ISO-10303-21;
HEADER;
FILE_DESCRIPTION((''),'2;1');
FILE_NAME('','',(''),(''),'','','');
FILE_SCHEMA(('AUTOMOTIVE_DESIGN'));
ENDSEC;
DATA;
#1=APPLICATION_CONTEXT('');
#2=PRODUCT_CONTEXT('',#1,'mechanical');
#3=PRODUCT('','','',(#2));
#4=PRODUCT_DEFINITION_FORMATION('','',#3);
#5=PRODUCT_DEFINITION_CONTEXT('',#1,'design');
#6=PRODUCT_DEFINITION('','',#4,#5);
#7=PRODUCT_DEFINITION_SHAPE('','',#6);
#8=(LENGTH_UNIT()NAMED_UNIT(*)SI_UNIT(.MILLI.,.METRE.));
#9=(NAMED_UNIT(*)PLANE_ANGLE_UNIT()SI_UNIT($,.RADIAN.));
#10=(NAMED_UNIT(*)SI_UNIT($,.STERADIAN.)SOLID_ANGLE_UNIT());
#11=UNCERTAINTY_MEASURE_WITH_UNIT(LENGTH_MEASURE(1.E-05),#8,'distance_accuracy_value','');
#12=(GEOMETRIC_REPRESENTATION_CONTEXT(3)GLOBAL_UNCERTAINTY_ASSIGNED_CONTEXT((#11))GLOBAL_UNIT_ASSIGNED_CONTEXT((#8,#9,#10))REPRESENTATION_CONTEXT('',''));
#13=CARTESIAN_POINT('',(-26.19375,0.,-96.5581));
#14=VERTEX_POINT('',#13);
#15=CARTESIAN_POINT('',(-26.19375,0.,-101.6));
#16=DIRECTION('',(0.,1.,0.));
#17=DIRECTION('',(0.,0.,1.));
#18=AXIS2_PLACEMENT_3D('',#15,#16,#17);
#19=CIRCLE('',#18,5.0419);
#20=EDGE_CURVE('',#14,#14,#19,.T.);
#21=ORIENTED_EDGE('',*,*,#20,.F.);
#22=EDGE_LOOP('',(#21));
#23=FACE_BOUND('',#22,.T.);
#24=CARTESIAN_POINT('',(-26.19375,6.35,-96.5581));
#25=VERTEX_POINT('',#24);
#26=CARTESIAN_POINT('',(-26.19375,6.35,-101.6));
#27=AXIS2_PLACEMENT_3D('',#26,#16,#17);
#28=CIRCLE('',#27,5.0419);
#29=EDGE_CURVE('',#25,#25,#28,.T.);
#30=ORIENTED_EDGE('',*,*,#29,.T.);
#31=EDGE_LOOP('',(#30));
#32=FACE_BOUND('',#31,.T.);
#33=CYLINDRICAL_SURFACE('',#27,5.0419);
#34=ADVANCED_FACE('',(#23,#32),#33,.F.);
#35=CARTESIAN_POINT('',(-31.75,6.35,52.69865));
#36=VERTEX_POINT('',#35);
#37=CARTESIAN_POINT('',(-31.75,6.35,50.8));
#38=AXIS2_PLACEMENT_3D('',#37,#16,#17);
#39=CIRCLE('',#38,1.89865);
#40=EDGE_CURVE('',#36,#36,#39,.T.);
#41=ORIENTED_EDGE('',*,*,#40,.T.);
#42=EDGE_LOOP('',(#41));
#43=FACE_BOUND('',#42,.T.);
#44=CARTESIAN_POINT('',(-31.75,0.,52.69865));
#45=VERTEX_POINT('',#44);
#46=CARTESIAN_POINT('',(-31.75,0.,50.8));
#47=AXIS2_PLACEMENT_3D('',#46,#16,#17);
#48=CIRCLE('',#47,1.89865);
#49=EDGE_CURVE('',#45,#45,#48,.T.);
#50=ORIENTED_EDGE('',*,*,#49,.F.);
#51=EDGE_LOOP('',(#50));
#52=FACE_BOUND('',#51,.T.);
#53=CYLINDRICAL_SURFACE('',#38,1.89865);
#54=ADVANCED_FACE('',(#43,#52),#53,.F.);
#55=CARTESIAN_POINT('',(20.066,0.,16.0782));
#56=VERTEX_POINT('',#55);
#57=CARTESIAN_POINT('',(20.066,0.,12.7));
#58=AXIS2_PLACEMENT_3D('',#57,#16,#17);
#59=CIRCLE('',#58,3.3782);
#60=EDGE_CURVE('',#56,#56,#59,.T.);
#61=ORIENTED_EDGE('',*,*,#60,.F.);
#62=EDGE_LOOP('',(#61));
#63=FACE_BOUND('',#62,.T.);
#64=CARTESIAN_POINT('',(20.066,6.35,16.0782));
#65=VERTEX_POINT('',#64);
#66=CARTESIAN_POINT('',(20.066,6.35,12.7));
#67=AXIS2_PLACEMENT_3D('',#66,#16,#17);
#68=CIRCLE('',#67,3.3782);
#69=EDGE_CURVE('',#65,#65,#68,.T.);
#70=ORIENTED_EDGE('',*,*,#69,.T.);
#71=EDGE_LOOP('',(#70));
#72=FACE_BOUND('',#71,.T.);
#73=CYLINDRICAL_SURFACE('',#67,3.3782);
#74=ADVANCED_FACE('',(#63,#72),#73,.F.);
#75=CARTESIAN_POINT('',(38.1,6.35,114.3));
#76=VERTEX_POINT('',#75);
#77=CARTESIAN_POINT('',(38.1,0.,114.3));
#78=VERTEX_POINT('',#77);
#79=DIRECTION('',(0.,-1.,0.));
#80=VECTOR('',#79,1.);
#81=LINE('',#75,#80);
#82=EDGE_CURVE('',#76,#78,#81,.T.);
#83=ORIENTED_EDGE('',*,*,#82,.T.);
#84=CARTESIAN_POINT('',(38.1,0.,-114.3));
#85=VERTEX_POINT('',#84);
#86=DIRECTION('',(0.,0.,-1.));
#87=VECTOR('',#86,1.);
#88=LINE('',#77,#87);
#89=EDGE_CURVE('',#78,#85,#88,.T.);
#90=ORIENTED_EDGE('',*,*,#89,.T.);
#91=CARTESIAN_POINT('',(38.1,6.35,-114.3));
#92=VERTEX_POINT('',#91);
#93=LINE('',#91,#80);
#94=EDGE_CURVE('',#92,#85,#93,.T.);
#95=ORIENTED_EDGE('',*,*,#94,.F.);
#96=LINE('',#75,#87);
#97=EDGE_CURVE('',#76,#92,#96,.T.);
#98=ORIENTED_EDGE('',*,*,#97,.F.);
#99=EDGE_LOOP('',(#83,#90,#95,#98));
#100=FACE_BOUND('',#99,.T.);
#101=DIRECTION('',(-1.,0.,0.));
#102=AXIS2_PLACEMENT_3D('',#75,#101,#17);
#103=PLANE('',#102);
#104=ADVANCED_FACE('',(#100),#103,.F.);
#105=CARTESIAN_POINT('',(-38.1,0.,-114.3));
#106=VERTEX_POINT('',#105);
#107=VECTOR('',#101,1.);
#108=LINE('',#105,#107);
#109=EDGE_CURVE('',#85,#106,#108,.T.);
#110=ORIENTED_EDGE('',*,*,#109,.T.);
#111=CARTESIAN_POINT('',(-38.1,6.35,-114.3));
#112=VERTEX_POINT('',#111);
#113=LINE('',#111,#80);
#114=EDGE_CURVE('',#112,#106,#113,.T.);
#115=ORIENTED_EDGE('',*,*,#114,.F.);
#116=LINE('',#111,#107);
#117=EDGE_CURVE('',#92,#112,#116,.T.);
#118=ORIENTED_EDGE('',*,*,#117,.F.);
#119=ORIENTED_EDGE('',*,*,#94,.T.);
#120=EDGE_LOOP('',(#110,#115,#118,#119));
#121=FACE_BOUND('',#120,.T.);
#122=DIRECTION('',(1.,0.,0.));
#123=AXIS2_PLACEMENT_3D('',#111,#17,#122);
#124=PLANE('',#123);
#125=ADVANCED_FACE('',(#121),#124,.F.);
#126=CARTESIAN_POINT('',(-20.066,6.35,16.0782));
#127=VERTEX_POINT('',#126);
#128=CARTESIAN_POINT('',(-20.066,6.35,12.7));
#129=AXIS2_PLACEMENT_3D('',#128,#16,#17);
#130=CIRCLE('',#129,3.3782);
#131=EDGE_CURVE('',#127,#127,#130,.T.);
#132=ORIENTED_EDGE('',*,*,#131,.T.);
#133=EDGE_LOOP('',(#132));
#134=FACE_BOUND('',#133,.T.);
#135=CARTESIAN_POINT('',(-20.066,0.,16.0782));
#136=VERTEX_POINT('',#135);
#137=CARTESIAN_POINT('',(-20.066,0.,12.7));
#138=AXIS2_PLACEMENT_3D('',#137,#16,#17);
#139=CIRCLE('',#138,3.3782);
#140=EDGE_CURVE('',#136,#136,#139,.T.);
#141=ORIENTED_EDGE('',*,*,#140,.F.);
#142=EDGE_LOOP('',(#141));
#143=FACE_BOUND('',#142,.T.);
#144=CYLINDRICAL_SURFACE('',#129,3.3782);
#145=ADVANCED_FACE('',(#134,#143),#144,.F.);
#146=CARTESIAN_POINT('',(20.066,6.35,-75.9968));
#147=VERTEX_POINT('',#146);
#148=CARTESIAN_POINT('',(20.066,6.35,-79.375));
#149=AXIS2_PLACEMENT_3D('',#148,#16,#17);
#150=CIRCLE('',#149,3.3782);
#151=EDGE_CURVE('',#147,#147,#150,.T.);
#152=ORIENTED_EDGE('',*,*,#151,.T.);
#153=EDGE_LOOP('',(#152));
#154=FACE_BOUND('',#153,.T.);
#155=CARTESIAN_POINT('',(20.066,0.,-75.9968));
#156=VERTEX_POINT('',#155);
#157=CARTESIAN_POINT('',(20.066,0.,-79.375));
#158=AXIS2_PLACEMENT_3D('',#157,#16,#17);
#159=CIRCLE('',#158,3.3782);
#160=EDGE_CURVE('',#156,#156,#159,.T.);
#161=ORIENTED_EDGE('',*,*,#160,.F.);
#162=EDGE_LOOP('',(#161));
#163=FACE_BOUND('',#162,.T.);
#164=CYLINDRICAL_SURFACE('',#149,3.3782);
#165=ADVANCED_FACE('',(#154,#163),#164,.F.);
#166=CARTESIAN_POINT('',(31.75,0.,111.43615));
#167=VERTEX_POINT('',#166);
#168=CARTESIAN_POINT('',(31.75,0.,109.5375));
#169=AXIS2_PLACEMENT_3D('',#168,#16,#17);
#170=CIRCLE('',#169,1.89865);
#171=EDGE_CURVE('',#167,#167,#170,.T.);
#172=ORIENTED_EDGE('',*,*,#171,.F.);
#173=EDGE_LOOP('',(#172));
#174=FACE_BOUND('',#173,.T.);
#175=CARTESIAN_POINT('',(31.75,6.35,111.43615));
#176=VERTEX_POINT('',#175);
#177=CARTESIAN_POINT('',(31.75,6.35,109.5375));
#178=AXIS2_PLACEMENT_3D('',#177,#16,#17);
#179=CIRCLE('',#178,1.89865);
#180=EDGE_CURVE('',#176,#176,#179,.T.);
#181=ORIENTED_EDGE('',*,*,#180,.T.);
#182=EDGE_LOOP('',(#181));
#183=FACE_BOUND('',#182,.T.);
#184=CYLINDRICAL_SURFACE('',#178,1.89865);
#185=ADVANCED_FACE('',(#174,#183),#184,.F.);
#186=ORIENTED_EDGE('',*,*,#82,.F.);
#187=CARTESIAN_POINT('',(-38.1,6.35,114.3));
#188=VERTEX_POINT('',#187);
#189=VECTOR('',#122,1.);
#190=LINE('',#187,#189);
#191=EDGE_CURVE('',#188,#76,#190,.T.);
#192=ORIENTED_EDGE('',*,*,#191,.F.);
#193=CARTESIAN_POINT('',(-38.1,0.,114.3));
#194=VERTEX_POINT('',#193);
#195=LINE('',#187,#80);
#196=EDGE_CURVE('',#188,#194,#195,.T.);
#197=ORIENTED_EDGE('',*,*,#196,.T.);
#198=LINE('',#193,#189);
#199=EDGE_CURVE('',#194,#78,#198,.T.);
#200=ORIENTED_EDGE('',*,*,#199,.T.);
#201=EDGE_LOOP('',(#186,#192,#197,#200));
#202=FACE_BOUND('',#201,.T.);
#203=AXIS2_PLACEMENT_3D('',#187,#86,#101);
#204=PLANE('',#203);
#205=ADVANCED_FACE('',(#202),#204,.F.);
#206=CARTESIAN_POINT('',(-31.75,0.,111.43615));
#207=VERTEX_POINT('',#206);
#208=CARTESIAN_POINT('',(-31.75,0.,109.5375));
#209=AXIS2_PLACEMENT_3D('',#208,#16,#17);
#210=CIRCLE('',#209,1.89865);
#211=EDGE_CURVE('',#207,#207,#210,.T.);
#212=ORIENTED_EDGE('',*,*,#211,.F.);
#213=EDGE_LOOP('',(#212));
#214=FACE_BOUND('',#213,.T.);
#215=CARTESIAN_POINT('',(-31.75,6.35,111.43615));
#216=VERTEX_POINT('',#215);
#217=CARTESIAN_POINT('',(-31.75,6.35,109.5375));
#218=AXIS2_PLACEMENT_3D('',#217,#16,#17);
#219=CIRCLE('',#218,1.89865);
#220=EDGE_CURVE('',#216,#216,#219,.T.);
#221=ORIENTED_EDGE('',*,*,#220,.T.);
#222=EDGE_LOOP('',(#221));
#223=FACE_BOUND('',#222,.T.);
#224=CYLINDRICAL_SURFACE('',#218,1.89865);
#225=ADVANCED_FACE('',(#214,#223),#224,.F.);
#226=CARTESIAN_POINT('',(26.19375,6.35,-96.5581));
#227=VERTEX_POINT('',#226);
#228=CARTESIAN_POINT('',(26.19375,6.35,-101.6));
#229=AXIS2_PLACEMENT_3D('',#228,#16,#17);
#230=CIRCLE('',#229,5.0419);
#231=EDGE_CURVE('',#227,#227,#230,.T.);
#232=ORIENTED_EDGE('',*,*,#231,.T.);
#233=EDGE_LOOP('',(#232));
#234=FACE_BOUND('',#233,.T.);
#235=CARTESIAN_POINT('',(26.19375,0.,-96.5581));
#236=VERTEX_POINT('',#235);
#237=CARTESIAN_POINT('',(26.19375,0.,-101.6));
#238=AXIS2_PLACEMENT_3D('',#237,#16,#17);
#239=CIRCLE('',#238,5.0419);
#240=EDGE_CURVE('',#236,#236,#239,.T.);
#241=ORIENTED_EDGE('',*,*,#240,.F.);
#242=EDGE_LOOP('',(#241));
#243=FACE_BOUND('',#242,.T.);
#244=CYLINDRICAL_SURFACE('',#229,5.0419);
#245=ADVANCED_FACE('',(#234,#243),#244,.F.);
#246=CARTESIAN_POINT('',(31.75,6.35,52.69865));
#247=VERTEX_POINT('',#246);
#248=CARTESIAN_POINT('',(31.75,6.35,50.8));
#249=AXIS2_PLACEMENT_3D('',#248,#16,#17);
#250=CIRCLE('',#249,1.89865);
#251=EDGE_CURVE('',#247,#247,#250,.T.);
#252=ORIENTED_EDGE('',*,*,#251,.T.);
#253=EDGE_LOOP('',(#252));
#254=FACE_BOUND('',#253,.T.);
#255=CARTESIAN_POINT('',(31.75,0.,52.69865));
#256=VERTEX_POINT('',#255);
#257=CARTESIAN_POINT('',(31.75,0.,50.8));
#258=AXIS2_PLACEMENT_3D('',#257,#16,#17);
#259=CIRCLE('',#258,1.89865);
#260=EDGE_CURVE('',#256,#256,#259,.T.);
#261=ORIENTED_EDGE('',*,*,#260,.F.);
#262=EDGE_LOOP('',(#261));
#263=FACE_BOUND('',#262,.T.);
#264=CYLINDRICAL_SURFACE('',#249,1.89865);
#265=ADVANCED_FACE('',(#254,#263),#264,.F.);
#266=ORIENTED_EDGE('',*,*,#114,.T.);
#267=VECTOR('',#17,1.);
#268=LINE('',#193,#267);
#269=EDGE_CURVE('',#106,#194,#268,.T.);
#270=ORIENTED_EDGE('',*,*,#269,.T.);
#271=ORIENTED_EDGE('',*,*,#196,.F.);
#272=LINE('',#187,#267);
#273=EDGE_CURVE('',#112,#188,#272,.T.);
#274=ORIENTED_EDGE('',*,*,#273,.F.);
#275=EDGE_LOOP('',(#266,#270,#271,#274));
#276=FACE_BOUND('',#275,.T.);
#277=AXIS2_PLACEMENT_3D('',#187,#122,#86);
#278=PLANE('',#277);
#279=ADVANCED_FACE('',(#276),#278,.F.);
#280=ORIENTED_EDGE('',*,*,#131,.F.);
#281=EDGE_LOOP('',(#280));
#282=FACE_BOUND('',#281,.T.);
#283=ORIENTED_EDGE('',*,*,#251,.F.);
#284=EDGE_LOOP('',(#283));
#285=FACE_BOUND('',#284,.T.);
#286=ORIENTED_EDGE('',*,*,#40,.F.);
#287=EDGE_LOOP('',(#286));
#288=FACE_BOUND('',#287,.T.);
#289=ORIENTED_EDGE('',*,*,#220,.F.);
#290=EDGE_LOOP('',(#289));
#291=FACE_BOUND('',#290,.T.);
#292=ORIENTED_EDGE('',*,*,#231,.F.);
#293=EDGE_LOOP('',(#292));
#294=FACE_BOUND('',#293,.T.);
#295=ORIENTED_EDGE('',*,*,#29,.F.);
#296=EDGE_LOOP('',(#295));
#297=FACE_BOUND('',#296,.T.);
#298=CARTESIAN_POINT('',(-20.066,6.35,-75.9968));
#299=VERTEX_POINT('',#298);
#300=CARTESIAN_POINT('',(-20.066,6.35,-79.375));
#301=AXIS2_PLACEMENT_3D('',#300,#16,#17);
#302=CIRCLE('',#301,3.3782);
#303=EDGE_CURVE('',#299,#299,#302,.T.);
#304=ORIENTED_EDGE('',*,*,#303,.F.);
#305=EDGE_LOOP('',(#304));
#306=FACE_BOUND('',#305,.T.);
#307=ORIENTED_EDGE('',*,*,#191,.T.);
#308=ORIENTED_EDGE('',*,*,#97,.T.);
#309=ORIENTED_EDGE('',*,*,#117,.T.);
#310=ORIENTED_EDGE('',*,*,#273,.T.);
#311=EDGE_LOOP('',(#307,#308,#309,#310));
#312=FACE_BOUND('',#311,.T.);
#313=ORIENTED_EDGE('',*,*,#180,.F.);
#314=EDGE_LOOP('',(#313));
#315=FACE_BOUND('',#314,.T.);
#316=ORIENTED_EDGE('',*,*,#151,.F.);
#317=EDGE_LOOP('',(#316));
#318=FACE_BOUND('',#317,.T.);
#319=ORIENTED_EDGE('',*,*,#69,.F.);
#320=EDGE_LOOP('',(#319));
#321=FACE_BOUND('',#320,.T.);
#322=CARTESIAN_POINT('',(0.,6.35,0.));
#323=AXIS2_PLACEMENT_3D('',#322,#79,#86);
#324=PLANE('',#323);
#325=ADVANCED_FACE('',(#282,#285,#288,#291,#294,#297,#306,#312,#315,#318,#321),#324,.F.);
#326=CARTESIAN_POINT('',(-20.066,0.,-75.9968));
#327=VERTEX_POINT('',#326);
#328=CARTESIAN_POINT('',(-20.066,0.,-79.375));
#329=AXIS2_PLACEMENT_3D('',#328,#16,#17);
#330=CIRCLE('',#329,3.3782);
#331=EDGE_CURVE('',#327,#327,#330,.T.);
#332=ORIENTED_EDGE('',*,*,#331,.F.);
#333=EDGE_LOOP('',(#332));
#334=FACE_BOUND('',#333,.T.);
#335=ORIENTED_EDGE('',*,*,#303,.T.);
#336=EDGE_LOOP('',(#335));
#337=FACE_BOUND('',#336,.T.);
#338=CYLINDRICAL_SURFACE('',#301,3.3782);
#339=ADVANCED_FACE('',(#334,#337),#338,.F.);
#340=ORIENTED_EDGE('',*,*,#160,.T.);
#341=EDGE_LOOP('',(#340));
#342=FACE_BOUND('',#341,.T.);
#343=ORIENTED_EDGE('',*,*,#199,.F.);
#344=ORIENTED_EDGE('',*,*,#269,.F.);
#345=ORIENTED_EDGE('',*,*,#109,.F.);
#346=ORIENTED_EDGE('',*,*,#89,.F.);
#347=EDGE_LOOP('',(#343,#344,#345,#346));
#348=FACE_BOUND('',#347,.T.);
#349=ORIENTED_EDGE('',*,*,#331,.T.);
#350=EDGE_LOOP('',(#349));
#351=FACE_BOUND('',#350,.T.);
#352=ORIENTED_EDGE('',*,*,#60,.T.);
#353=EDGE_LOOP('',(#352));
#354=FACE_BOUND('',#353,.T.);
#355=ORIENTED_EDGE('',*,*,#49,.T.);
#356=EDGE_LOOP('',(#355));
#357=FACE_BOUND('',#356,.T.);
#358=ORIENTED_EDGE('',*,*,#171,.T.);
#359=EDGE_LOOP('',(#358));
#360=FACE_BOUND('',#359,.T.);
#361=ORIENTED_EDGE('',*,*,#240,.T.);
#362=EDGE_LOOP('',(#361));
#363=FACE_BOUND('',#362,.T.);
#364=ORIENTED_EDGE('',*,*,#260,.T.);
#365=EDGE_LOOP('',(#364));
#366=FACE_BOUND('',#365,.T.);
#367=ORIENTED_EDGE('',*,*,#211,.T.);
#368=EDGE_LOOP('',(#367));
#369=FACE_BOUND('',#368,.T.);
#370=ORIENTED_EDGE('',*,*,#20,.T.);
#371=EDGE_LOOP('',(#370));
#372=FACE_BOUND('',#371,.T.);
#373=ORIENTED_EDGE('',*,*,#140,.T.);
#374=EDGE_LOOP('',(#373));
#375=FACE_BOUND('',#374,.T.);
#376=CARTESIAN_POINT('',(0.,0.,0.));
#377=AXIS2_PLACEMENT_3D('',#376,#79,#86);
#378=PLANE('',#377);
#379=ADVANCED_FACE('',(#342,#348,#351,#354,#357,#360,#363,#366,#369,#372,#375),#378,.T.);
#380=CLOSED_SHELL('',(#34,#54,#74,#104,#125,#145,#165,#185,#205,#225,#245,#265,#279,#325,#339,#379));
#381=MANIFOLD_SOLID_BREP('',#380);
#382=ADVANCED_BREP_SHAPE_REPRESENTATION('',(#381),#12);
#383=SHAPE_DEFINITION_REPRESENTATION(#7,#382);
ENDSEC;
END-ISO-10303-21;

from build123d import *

# Parameters (mm, degrees)
PLATE_SKETCH_W          = 76.2
PLATE_SKETCH_H          = 228.6
PLATE_EXTRUDE_DEPTH     = 6.35
F_1_4_CLEARANCE_HOLE2_D = 6.7564
F_6_CLEARANCE_HOLE1_D   = 3.7973
F_3_8_CLEARANCE_HOLE1_D = 10.0838


with BuildPart() as part:
    # Plate sketch → Plate extrude (new body)
    with BuildSketch(Plane(origin=(0, 0, 0), x_dir=(1, 0, 0), z_dir=(0, 1, 0))):
        Rectangle(PLATE_SKETCH_W, PLATE_SKETCH_H)
    extrude(amount=PLATE_EXTRUDE_DEPTH)

    # 1/4 Clearance Hole2 (through all)
    with Locations(Plane(origin=(0, 6.35, 0), x_dir=(1, 0, 0), z_dir=(0, 1, 0))):
        with Locations((-20.066, 79.375), (20.066, -12.7), (-20.066, -12.7), (20.066, 79.375)):
            Hole(F_1_4_CLEARANCE_HOLE2_D / 2)

    # #6 Clearance Hole1 (through all)
    with Locations(Plane(origin=(0, 6.35, 0), x_dir=(1, 0, 0), z_dir=(0, 1, 0))):
        with Locations((-31.75, -50.8), (-31.75, -109.5375), (31.75, -50.8), (31.75, -109.5375)):
            Hole(F_6_CLEARANCE_HOLE1_D / 2)

    # 3/8 Clearance Hole1 (through all)
    with Locations(Plane(origin=(0, 6.35, 0), x_dir=(1, 0, 0), z_dir=(0, 1, 0))):
        with Locations((-26.19375, 101.6), (26.19375, 101.6)):
            Hole(F_3_8_CLEARANCE_HOLE1_D / 2)


solid = part.part
